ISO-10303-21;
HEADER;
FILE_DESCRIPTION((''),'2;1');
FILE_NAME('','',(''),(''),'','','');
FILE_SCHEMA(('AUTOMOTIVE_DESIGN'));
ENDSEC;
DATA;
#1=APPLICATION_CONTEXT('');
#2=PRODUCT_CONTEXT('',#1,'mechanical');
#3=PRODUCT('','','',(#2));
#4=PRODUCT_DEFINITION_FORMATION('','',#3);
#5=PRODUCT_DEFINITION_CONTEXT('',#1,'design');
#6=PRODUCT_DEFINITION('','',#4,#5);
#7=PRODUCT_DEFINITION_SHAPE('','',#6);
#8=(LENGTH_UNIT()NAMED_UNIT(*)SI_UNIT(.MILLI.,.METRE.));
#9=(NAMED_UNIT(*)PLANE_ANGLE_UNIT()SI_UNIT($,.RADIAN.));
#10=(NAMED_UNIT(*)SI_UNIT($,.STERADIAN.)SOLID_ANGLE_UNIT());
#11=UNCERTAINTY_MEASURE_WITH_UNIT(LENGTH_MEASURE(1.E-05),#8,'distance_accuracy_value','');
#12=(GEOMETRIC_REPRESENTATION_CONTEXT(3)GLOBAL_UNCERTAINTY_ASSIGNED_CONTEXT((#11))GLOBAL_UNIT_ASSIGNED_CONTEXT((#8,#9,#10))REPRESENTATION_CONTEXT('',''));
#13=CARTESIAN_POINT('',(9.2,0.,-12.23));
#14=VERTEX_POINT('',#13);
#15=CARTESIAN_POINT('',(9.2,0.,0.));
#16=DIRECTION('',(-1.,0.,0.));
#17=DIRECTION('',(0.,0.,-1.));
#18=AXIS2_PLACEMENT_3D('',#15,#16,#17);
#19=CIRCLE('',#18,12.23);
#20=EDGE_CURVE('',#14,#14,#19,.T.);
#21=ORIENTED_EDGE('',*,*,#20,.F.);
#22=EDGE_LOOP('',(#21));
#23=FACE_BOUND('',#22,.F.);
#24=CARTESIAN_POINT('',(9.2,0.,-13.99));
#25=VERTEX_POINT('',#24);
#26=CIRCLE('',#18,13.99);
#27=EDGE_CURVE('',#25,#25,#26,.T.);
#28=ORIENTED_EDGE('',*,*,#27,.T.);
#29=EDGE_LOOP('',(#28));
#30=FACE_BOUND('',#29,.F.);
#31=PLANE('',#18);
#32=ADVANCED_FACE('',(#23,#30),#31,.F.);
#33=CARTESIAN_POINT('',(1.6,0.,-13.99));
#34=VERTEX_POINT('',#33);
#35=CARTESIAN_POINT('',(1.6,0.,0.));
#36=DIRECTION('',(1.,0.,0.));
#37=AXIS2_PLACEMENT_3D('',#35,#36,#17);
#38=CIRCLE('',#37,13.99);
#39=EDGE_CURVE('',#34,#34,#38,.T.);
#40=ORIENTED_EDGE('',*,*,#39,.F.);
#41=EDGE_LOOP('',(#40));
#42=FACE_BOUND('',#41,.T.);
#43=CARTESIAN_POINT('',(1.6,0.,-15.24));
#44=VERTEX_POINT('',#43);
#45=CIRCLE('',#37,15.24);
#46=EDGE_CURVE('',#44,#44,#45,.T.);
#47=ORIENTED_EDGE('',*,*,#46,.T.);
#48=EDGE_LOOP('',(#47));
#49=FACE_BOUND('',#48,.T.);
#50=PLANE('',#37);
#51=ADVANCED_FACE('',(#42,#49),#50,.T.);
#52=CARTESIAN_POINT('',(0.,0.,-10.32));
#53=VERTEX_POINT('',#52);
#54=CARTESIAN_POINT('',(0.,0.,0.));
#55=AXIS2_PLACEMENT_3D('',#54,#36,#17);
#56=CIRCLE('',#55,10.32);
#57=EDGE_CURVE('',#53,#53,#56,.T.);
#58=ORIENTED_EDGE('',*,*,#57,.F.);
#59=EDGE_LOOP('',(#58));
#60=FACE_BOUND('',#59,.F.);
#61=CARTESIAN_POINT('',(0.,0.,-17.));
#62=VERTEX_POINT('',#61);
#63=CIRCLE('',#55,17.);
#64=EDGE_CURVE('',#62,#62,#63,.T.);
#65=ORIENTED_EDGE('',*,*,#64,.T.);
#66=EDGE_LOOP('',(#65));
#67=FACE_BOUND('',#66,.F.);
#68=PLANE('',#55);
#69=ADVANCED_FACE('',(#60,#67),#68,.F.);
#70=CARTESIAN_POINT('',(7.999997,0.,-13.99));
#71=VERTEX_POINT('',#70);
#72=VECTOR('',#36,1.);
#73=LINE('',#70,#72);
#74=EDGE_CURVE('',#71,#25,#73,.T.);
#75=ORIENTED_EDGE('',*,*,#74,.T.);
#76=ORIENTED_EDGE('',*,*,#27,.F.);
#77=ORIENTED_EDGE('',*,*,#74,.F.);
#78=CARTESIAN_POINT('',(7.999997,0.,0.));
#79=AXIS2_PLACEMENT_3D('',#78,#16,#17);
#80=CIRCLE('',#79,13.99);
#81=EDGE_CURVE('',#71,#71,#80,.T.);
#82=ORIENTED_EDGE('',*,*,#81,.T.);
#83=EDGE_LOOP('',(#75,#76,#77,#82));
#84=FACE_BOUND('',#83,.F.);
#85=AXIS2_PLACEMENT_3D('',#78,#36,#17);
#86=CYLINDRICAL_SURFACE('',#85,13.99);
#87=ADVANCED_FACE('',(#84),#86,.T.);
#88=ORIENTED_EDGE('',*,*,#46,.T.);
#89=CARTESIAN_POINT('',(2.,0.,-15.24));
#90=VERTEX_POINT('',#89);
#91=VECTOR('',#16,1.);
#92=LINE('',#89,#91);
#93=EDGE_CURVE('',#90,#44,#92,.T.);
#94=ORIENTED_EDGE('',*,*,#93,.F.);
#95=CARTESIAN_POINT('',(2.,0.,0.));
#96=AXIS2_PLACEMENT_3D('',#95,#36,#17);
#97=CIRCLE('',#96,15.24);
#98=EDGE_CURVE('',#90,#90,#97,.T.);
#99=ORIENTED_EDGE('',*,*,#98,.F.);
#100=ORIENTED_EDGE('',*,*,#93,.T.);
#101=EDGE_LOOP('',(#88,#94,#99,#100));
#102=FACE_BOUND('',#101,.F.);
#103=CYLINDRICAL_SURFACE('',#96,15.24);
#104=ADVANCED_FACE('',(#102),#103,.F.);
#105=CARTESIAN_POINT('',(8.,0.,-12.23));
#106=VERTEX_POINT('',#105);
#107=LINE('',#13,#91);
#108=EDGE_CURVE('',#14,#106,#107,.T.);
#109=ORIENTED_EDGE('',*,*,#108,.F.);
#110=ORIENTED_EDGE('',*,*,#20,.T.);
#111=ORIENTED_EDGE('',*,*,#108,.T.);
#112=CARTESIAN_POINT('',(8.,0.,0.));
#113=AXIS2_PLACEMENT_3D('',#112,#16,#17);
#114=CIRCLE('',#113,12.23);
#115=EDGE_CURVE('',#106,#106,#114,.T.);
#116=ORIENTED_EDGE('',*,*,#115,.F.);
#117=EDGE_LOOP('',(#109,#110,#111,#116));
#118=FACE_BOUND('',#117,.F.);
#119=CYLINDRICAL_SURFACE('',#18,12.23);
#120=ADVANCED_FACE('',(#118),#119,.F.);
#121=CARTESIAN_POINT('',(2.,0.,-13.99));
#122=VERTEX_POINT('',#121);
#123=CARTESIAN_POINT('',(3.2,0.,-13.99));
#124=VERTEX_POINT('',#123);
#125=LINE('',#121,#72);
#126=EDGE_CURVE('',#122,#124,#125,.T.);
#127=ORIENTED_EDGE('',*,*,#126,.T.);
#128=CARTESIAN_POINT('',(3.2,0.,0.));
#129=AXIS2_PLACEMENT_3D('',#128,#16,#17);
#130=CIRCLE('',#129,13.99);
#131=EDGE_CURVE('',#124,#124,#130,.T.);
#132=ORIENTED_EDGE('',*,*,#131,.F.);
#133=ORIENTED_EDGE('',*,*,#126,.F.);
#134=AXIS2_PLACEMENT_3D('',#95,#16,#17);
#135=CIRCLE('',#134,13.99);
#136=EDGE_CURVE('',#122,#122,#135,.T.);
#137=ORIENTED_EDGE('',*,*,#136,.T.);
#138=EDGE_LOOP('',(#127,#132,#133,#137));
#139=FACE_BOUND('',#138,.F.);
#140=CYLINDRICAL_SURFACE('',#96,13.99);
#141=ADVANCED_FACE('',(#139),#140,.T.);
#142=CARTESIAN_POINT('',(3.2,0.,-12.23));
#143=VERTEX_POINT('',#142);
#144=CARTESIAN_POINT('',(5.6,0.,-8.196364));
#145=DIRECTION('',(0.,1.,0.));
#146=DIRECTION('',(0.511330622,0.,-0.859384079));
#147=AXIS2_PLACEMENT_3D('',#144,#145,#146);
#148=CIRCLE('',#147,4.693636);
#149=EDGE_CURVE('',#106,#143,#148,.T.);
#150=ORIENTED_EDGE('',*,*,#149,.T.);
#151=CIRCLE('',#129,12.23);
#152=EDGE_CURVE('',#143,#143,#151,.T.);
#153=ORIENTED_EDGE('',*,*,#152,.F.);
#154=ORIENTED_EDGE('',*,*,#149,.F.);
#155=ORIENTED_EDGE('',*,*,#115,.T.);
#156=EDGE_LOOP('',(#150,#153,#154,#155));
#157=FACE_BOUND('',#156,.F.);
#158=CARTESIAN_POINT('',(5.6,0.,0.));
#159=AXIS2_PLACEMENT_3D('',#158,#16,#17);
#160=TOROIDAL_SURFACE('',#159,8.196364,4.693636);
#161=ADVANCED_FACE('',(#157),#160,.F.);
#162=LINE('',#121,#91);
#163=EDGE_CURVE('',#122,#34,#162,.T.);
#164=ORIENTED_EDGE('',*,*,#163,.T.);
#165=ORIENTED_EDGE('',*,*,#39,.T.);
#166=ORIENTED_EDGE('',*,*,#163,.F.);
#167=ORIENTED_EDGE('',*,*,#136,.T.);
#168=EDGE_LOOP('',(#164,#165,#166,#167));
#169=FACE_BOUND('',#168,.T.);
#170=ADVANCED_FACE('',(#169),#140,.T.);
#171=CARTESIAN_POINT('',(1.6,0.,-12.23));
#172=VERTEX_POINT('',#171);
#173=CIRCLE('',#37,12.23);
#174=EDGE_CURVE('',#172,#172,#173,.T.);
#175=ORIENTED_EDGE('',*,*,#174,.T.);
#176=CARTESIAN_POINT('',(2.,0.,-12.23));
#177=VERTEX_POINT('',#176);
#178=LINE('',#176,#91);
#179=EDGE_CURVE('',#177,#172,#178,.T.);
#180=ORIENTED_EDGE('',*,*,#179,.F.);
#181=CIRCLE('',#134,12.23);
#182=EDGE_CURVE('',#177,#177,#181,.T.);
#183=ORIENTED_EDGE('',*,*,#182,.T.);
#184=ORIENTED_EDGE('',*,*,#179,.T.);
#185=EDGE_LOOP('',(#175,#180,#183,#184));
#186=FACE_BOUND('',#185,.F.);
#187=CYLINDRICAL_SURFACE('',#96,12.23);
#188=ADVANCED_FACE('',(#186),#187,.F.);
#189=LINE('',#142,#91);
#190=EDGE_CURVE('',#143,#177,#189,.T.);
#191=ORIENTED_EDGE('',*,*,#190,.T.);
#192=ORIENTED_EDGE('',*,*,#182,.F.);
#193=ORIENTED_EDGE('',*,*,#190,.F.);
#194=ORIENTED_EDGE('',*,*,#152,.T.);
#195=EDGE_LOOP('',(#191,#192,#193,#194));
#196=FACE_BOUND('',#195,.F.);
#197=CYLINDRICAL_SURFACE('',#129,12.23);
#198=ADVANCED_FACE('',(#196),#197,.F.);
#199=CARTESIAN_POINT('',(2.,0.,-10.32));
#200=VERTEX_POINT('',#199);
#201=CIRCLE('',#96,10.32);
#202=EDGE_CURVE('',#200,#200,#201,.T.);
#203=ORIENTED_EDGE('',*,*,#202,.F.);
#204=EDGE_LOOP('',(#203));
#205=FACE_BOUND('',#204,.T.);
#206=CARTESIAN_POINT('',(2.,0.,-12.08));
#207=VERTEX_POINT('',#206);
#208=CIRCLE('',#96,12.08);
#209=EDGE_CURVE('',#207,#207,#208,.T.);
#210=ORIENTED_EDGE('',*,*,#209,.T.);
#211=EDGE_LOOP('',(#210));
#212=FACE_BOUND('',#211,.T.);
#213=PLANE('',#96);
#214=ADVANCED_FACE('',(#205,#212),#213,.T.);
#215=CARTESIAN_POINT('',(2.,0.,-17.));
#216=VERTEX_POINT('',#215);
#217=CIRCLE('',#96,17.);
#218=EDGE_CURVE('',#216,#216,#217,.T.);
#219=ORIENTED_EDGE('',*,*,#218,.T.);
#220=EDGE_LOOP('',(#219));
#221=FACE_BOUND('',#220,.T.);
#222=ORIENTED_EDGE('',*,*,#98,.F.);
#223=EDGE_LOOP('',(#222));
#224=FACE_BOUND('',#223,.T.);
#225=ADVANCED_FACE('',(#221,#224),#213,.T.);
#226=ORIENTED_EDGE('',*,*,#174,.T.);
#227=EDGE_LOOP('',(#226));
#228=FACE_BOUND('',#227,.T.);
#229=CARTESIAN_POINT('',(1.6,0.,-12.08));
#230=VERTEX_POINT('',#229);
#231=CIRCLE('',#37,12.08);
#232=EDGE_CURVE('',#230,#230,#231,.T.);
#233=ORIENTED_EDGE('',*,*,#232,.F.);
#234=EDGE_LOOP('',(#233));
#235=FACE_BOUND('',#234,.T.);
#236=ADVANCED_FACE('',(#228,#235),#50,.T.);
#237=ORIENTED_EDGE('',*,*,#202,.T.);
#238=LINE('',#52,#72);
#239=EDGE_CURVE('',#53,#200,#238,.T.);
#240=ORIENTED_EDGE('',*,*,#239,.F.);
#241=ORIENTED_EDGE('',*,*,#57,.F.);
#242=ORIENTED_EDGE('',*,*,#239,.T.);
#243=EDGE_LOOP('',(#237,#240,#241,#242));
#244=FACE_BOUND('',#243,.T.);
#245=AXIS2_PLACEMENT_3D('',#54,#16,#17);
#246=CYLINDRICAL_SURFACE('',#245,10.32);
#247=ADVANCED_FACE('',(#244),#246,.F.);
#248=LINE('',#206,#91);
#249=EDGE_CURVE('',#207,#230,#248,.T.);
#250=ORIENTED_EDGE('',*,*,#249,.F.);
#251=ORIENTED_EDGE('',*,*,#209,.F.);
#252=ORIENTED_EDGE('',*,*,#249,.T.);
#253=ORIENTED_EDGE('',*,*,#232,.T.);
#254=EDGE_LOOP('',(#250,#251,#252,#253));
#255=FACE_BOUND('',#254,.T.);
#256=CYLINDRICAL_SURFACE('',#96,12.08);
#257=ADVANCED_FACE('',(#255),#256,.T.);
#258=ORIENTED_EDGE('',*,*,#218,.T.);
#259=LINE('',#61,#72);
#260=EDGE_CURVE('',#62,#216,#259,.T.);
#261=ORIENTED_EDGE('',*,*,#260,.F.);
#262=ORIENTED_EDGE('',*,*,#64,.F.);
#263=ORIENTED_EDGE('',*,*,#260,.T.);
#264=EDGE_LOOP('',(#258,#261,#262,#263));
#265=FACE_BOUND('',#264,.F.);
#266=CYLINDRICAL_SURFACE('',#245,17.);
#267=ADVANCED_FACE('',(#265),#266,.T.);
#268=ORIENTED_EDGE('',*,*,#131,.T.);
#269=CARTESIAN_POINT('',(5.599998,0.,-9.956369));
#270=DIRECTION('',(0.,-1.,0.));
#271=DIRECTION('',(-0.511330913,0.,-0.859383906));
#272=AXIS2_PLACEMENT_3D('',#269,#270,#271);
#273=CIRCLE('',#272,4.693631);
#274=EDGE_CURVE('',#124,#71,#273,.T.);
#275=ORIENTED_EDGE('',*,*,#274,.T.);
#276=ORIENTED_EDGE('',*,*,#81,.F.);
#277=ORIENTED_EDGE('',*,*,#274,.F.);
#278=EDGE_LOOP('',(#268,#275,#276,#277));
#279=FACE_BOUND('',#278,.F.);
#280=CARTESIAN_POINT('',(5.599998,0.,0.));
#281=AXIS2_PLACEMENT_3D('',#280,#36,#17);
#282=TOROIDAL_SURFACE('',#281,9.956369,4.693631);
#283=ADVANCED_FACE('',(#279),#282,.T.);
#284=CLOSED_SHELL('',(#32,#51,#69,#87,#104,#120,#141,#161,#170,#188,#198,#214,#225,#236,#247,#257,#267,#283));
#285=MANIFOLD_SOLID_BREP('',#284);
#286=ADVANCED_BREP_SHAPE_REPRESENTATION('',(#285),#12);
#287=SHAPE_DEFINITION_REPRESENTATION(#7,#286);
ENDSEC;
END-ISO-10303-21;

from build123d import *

# Parameters (mm, degrees)
SKETCH1_R           = 17
SKETCH1_R_2         = 10.32
BOSS_EXTRUDE1_DEPTH = 2
SKETCH5_R           = 15.24
SKETCH5_R_2         = 13.99
CUT_EXTRUDE1_DEPTH  = 0.4
SKETCH6_R           = 12.23
SKETCH6_R_2         = 12.08
CUT_EXTRUDE2_DEPTH  = 0.4


with BuildPart() as part:
    # Sketch1 → Boss-Extrude1 (new body)
    with BuildSketch(Plane(origin=(0, 0, 0), x_dir=(0, 0, -1), z_dir=(1, 0, 0))):
        Circle(SKETCH1_R)
        Circle(SKETCH1_R_2, mode=Mode.SUBTRACT)
    extrude(amount=BOSS_EXTRUDE1_DEPTH)

    # Sketch4 → Revolve3 (revolve)
    with BuildSketch(Plane(origin=(0, 0, 0), x_dir=(1, 0, 0), z_dir=(0, 1, 0))):
        with BuildLine():
            Line((9.2, 13.99), (9.2, 12.23))
            Line((9.2, 12.23), (8, 12.23))
            ThreePointArc((8, 12.23), (5.6, 12.89), (3.2, 12.23))
            Line((3.2, 12.23), (2, 12.23))
            Line((2, 12.23), (2, 13.99))
            Line((2, 13.99), (3.199999942, 13.99))
            ThreePointArc((3.199999942, 13.99), (5.599998351, 14.65), (7.999996761, 13.99))
            Line((7.999996761, 13.99), (9.2, 13.99))
        make_face()
    revolve(axis=Axis((2, 0, 0), (-1, 0, 0)))

    # Sketch5 → Cut-Extrude1 (cut)
    with BuildSketch(Plane(origin=(2, 0, 0), x_dir=(0, 0, -1), z_dir=(1, 0, 0))):
        Circle(SKETCH5_R)
        Circle(SKETCH5_R_2, mode=Mode.SUBTRACT)
    extrude(amount=-CUT_EXTRUDE1_DEPTH, mode=Mode.SUBTRACT)

    # Sketch6 → Cut-Extrude2 (cut)
    with BuildSketch(Plane(origin=(2, 0, 0), x_dir=(0, 0, -1), z_dir=(1, 0, 0))):
        Circle(SKETCH6_R)
        Circle(SKETCH6_R_2, mode=Mode.SUBTRACT)
    extrude(amount=-CUT_EXTRUDE2_DEPTH, mode=Mode.SUBTRACT)


solid = part.part
